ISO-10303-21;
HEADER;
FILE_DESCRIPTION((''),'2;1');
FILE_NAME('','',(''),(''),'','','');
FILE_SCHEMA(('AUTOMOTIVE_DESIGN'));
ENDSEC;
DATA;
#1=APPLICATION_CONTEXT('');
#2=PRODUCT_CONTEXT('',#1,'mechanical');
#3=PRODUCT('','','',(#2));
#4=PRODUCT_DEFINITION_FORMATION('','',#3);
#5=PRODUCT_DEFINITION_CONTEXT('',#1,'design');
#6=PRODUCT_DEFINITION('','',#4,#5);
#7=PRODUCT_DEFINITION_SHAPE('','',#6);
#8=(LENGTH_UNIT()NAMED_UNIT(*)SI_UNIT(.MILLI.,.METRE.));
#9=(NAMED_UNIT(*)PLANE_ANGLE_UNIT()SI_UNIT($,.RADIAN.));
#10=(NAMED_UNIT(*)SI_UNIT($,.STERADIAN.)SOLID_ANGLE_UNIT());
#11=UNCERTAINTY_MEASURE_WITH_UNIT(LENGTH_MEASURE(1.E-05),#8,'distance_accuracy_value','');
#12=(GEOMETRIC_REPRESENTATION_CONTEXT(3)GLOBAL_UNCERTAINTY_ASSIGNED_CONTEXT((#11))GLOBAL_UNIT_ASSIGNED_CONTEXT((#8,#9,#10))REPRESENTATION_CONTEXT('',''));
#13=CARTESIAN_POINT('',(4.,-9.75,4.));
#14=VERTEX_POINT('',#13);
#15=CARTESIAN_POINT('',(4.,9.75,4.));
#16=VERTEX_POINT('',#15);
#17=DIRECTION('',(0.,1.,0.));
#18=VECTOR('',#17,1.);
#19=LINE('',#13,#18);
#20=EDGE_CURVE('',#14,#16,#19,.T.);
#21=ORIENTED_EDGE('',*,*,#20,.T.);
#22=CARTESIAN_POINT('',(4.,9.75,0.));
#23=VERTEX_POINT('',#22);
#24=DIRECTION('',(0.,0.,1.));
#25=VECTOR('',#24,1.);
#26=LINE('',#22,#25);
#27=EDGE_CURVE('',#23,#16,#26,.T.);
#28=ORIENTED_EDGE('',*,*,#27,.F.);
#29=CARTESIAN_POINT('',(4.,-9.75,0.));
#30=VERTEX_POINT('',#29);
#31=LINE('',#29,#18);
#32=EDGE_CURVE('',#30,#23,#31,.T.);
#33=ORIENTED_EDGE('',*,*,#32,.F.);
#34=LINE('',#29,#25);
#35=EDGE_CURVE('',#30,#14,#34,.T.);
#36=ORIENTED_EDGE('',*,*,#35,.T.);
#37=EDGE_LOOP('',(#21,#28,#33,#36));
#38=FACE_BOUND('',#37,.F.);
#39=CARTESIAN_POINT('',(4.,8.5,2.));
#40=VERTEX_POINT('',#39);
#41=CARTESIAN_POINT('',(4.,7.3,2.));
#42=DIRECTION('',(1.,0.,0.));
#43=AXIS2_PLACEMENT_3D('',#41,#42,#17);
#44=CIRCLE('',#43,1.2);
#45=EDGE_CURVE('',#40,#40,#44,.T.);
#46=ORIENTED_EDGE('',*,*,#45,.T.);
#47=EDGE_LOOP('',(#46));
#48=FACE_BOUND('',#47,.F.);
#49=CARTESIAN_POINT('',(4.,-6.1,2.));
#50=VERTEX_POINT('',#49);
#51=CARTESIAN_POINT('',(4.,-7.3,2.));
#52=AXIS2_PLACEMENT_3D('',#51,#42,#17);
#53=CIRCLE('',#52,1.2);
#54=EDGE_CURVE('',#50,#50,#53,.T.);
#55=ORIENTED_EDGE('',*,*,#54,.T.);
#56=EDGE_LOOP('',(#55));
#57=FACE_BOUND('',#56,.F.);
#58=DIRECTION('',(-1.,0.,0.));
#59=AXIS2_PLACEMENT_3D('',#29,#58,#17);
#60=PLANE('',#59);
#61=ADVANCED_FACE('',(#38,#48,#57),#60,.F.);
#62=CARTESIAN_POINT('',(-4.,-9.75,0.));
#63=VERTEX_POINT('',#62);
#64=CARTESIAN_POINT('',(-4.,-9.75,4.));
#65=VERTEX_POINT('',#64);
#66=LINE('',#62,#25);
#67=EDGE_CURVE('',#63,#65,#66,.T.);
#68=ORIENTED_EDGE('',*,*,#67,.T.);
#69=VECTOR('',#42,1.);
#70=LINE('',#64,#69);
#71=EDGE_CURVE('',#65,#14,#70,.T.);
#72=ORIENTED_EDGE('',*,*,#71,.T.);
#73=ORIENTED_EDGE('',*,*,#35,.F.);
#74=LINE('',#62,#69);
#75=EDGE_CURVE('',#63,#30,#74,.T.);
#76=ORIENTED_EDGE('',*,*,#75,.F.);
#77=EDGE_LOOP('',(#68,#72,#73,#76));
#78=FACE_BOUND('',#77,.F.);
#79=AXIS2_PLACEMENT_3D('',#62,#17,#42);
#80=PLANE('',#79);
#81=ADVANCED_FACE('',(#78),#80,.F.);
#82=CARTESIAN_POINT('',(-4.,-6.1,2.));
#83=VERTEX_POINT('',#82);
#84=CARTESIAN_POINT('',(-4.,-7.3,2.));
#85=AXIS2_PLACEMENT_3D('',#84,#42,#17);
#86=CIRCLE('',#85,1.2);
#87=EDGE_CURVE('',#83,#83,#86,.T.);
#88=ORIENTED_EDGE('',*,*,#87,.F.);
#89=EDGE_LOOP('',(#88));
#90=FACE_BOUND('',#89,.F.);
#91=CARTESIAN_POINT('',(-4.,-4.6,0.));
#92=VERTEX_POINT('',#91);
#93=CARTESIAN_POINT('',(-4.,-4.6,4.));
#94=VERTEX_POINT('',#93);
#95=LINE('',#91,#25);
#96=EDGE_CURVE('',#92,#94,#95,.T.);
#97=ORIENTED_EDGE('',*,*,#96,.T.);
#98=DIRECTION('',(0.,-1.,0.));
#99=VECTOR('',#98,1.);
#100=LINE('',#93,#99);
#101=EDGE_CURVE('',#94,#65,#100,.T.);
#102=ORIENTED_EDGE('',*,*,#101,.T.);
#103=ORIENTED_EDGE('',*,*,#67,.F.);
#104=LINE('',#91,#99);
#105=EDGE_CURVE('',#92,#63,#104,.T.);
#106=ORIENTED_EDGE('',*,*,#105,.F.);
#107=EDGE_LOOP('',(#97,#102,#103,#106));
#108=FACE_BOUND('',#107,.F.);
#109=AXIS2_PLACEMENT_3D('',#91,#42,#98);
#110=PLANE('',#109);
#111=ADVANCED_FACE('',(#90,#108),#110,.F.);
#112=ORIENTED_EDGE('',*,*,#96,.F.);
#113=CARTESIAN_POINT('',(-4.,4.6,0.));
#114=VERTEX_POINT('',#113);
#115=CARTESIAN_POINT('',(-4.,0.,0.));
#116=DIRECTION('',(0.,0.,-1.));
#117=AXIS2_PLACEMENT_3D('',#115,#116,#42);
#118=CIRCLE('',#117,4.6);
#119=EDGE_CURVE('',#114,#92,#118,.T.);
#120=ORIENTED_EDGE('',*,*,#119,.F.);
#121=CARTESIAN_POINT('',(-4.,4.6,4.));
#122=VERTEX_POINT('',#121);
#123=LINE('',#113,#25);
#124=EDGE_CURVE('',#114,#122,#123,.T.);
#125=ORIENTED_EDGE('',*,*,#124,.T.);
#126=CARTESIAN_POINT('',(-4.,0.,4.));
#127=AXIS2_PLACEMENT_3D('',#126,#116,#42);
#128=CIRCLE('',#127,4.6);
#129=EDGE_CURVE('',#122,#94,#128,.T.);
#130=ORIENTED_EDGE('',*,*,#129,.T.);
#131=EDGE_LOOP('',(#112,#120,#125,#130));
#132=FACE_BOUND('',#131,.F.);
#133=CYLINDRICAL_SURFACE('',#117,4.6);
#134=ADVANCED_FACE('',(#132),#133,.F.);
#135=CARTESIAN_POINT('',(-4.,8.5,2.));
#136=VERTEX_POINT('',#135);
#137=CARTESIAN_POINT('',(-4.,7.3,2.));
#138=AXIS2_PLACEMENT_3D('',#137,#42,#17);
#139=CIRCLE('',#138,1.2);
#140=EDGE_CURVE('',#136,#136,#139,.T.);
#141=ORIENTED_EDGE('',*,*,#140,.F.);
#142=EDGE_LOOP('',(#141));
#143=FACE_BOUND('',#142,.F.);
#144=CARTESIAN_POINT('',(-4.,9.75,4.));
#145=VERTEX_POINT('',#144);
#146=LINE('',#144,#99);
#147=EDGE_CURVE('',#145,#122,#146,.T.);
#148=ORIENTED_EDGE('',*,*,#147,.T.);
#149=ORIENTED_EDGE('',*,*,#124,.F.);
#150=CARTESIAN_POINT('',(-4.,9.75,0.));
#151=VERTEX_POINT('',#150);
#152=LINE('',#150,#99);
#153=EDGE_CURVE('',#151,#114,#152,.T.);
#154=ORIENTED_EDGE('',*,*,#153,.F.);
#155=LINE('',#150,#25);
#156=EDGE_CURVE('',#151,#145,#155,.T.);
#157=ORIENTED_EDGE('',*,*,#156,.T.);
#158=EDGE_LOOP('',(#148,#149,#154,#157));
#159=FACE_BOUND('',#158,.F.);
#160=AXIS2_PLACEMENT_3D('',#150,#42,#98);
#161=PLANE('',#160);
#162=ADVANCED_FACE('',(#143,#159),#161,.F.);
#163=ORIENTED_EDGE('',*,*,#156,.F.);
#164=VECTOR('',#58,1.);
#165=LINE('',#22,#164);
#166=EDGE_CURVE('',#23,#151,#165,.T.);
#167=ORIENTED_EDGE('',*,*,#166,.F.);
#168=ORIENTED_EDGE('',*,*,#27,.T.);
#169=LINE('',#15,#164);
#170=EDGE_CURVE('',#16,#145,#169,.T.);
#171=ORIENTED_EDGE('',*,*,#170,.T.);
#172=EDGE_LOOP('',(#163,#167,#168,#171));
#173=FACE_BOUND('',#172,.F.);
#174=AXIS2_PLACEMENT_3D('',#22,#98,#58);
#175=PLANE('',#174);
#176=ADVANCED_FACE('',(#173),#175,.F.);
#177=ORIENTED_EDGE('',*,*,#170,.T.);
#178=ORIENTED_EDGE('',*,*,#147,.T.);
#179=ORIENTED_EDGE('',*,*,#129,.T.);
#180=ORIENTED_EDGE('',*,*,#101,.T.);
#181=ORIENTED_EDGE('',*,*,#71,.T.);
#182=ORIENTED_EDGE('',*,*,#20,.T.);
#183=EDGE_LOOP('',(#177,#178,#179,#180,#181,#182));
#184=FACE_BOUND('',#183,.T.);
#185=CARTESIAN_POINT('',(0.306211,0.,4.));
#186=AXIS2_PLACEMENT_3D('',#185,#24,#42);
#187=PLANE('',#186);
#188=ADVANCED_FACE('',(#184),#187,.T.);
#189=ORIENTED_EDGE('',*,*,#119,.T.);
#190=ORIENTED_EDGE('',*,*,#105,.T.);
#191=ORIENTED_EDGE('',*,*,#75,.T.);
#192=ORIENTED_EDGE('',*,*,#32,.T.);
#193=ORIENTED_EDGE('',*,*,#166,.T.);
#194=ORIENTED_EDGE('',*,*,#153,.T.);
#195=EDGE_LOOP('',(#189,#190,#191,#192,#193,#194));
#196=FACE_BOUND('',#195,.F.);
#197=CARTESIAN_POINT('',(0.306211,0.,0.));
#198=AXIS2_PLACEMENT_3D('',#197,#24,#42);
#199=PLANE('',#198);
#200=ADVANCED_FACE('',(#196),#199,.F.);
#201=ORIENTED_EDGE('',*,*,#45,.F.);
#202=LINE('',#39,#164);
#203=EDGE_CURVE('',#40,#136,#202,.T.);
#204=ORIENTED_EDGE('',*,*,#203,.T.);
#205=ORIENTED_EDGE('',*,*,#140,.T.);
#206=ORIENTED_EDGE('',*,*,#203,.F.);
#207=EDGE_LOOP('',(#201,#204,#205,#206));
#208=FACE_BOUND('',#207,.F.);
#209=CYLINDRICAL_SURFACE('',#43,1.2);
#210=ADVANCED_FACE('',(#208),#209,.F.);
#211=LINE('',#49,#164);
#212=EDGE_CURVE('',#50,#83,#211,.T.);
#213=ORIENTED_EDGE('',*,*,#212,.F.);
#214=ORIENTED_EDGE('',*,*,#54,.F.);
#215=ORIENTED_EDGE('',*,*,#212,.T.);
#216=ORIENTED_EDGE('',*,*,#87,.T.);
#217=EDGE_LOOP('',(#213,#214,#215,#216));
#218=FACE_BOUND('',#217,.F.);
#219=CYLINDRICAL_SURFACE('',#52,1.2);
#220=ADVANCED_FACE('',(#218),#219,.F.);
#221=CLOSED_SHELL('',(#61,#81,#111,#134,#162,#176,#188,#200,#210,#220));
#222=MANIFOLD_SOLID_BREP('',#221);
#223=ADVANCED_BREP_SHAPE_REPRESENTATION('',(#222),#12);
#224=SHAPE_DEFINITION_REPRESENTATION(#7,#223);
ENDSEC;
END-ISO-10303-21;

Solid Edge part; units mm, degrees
sketch "Sketch1" plane through (0, 0, 0) normal (0, 0, 1) x (1, 0, 0)
  line L0 (-4, -9.75) -> (4, -9.75)
  line L1 (4, -9.75) -> (4, 9.75)
  line L2 (4, 9.75) -> (-4, 9.75)
  line L3 (-4, 9.75) -> (-4, 4.6)
  arc A0 (-4, 4.6) -> (-4, -4.6) centre (-4, 0) cw
  line L4 (-4, -4.6) -> (-4, -9.75)
  dimension "D1" = 19.5
  dimension "D2" = 8
  dimension "D3" = 4.6
extrude "Protrusion1" add sketch "Sketch1" along normal blind 4
sketch "Sketch2" plane through (4, 0, 1.95) normal (1, 0, 0) x (0, 1, 0)
  circle A0 centre (-7.3, 0.05) radius 1.2
  circle A1 centre (7.3, 0.05) radius 1.2
  dimension "D1" = 14.6
  dimension "D2" = 7.3
extrude "Cutout1" cut sketch "Sketch2" against normal up to next
